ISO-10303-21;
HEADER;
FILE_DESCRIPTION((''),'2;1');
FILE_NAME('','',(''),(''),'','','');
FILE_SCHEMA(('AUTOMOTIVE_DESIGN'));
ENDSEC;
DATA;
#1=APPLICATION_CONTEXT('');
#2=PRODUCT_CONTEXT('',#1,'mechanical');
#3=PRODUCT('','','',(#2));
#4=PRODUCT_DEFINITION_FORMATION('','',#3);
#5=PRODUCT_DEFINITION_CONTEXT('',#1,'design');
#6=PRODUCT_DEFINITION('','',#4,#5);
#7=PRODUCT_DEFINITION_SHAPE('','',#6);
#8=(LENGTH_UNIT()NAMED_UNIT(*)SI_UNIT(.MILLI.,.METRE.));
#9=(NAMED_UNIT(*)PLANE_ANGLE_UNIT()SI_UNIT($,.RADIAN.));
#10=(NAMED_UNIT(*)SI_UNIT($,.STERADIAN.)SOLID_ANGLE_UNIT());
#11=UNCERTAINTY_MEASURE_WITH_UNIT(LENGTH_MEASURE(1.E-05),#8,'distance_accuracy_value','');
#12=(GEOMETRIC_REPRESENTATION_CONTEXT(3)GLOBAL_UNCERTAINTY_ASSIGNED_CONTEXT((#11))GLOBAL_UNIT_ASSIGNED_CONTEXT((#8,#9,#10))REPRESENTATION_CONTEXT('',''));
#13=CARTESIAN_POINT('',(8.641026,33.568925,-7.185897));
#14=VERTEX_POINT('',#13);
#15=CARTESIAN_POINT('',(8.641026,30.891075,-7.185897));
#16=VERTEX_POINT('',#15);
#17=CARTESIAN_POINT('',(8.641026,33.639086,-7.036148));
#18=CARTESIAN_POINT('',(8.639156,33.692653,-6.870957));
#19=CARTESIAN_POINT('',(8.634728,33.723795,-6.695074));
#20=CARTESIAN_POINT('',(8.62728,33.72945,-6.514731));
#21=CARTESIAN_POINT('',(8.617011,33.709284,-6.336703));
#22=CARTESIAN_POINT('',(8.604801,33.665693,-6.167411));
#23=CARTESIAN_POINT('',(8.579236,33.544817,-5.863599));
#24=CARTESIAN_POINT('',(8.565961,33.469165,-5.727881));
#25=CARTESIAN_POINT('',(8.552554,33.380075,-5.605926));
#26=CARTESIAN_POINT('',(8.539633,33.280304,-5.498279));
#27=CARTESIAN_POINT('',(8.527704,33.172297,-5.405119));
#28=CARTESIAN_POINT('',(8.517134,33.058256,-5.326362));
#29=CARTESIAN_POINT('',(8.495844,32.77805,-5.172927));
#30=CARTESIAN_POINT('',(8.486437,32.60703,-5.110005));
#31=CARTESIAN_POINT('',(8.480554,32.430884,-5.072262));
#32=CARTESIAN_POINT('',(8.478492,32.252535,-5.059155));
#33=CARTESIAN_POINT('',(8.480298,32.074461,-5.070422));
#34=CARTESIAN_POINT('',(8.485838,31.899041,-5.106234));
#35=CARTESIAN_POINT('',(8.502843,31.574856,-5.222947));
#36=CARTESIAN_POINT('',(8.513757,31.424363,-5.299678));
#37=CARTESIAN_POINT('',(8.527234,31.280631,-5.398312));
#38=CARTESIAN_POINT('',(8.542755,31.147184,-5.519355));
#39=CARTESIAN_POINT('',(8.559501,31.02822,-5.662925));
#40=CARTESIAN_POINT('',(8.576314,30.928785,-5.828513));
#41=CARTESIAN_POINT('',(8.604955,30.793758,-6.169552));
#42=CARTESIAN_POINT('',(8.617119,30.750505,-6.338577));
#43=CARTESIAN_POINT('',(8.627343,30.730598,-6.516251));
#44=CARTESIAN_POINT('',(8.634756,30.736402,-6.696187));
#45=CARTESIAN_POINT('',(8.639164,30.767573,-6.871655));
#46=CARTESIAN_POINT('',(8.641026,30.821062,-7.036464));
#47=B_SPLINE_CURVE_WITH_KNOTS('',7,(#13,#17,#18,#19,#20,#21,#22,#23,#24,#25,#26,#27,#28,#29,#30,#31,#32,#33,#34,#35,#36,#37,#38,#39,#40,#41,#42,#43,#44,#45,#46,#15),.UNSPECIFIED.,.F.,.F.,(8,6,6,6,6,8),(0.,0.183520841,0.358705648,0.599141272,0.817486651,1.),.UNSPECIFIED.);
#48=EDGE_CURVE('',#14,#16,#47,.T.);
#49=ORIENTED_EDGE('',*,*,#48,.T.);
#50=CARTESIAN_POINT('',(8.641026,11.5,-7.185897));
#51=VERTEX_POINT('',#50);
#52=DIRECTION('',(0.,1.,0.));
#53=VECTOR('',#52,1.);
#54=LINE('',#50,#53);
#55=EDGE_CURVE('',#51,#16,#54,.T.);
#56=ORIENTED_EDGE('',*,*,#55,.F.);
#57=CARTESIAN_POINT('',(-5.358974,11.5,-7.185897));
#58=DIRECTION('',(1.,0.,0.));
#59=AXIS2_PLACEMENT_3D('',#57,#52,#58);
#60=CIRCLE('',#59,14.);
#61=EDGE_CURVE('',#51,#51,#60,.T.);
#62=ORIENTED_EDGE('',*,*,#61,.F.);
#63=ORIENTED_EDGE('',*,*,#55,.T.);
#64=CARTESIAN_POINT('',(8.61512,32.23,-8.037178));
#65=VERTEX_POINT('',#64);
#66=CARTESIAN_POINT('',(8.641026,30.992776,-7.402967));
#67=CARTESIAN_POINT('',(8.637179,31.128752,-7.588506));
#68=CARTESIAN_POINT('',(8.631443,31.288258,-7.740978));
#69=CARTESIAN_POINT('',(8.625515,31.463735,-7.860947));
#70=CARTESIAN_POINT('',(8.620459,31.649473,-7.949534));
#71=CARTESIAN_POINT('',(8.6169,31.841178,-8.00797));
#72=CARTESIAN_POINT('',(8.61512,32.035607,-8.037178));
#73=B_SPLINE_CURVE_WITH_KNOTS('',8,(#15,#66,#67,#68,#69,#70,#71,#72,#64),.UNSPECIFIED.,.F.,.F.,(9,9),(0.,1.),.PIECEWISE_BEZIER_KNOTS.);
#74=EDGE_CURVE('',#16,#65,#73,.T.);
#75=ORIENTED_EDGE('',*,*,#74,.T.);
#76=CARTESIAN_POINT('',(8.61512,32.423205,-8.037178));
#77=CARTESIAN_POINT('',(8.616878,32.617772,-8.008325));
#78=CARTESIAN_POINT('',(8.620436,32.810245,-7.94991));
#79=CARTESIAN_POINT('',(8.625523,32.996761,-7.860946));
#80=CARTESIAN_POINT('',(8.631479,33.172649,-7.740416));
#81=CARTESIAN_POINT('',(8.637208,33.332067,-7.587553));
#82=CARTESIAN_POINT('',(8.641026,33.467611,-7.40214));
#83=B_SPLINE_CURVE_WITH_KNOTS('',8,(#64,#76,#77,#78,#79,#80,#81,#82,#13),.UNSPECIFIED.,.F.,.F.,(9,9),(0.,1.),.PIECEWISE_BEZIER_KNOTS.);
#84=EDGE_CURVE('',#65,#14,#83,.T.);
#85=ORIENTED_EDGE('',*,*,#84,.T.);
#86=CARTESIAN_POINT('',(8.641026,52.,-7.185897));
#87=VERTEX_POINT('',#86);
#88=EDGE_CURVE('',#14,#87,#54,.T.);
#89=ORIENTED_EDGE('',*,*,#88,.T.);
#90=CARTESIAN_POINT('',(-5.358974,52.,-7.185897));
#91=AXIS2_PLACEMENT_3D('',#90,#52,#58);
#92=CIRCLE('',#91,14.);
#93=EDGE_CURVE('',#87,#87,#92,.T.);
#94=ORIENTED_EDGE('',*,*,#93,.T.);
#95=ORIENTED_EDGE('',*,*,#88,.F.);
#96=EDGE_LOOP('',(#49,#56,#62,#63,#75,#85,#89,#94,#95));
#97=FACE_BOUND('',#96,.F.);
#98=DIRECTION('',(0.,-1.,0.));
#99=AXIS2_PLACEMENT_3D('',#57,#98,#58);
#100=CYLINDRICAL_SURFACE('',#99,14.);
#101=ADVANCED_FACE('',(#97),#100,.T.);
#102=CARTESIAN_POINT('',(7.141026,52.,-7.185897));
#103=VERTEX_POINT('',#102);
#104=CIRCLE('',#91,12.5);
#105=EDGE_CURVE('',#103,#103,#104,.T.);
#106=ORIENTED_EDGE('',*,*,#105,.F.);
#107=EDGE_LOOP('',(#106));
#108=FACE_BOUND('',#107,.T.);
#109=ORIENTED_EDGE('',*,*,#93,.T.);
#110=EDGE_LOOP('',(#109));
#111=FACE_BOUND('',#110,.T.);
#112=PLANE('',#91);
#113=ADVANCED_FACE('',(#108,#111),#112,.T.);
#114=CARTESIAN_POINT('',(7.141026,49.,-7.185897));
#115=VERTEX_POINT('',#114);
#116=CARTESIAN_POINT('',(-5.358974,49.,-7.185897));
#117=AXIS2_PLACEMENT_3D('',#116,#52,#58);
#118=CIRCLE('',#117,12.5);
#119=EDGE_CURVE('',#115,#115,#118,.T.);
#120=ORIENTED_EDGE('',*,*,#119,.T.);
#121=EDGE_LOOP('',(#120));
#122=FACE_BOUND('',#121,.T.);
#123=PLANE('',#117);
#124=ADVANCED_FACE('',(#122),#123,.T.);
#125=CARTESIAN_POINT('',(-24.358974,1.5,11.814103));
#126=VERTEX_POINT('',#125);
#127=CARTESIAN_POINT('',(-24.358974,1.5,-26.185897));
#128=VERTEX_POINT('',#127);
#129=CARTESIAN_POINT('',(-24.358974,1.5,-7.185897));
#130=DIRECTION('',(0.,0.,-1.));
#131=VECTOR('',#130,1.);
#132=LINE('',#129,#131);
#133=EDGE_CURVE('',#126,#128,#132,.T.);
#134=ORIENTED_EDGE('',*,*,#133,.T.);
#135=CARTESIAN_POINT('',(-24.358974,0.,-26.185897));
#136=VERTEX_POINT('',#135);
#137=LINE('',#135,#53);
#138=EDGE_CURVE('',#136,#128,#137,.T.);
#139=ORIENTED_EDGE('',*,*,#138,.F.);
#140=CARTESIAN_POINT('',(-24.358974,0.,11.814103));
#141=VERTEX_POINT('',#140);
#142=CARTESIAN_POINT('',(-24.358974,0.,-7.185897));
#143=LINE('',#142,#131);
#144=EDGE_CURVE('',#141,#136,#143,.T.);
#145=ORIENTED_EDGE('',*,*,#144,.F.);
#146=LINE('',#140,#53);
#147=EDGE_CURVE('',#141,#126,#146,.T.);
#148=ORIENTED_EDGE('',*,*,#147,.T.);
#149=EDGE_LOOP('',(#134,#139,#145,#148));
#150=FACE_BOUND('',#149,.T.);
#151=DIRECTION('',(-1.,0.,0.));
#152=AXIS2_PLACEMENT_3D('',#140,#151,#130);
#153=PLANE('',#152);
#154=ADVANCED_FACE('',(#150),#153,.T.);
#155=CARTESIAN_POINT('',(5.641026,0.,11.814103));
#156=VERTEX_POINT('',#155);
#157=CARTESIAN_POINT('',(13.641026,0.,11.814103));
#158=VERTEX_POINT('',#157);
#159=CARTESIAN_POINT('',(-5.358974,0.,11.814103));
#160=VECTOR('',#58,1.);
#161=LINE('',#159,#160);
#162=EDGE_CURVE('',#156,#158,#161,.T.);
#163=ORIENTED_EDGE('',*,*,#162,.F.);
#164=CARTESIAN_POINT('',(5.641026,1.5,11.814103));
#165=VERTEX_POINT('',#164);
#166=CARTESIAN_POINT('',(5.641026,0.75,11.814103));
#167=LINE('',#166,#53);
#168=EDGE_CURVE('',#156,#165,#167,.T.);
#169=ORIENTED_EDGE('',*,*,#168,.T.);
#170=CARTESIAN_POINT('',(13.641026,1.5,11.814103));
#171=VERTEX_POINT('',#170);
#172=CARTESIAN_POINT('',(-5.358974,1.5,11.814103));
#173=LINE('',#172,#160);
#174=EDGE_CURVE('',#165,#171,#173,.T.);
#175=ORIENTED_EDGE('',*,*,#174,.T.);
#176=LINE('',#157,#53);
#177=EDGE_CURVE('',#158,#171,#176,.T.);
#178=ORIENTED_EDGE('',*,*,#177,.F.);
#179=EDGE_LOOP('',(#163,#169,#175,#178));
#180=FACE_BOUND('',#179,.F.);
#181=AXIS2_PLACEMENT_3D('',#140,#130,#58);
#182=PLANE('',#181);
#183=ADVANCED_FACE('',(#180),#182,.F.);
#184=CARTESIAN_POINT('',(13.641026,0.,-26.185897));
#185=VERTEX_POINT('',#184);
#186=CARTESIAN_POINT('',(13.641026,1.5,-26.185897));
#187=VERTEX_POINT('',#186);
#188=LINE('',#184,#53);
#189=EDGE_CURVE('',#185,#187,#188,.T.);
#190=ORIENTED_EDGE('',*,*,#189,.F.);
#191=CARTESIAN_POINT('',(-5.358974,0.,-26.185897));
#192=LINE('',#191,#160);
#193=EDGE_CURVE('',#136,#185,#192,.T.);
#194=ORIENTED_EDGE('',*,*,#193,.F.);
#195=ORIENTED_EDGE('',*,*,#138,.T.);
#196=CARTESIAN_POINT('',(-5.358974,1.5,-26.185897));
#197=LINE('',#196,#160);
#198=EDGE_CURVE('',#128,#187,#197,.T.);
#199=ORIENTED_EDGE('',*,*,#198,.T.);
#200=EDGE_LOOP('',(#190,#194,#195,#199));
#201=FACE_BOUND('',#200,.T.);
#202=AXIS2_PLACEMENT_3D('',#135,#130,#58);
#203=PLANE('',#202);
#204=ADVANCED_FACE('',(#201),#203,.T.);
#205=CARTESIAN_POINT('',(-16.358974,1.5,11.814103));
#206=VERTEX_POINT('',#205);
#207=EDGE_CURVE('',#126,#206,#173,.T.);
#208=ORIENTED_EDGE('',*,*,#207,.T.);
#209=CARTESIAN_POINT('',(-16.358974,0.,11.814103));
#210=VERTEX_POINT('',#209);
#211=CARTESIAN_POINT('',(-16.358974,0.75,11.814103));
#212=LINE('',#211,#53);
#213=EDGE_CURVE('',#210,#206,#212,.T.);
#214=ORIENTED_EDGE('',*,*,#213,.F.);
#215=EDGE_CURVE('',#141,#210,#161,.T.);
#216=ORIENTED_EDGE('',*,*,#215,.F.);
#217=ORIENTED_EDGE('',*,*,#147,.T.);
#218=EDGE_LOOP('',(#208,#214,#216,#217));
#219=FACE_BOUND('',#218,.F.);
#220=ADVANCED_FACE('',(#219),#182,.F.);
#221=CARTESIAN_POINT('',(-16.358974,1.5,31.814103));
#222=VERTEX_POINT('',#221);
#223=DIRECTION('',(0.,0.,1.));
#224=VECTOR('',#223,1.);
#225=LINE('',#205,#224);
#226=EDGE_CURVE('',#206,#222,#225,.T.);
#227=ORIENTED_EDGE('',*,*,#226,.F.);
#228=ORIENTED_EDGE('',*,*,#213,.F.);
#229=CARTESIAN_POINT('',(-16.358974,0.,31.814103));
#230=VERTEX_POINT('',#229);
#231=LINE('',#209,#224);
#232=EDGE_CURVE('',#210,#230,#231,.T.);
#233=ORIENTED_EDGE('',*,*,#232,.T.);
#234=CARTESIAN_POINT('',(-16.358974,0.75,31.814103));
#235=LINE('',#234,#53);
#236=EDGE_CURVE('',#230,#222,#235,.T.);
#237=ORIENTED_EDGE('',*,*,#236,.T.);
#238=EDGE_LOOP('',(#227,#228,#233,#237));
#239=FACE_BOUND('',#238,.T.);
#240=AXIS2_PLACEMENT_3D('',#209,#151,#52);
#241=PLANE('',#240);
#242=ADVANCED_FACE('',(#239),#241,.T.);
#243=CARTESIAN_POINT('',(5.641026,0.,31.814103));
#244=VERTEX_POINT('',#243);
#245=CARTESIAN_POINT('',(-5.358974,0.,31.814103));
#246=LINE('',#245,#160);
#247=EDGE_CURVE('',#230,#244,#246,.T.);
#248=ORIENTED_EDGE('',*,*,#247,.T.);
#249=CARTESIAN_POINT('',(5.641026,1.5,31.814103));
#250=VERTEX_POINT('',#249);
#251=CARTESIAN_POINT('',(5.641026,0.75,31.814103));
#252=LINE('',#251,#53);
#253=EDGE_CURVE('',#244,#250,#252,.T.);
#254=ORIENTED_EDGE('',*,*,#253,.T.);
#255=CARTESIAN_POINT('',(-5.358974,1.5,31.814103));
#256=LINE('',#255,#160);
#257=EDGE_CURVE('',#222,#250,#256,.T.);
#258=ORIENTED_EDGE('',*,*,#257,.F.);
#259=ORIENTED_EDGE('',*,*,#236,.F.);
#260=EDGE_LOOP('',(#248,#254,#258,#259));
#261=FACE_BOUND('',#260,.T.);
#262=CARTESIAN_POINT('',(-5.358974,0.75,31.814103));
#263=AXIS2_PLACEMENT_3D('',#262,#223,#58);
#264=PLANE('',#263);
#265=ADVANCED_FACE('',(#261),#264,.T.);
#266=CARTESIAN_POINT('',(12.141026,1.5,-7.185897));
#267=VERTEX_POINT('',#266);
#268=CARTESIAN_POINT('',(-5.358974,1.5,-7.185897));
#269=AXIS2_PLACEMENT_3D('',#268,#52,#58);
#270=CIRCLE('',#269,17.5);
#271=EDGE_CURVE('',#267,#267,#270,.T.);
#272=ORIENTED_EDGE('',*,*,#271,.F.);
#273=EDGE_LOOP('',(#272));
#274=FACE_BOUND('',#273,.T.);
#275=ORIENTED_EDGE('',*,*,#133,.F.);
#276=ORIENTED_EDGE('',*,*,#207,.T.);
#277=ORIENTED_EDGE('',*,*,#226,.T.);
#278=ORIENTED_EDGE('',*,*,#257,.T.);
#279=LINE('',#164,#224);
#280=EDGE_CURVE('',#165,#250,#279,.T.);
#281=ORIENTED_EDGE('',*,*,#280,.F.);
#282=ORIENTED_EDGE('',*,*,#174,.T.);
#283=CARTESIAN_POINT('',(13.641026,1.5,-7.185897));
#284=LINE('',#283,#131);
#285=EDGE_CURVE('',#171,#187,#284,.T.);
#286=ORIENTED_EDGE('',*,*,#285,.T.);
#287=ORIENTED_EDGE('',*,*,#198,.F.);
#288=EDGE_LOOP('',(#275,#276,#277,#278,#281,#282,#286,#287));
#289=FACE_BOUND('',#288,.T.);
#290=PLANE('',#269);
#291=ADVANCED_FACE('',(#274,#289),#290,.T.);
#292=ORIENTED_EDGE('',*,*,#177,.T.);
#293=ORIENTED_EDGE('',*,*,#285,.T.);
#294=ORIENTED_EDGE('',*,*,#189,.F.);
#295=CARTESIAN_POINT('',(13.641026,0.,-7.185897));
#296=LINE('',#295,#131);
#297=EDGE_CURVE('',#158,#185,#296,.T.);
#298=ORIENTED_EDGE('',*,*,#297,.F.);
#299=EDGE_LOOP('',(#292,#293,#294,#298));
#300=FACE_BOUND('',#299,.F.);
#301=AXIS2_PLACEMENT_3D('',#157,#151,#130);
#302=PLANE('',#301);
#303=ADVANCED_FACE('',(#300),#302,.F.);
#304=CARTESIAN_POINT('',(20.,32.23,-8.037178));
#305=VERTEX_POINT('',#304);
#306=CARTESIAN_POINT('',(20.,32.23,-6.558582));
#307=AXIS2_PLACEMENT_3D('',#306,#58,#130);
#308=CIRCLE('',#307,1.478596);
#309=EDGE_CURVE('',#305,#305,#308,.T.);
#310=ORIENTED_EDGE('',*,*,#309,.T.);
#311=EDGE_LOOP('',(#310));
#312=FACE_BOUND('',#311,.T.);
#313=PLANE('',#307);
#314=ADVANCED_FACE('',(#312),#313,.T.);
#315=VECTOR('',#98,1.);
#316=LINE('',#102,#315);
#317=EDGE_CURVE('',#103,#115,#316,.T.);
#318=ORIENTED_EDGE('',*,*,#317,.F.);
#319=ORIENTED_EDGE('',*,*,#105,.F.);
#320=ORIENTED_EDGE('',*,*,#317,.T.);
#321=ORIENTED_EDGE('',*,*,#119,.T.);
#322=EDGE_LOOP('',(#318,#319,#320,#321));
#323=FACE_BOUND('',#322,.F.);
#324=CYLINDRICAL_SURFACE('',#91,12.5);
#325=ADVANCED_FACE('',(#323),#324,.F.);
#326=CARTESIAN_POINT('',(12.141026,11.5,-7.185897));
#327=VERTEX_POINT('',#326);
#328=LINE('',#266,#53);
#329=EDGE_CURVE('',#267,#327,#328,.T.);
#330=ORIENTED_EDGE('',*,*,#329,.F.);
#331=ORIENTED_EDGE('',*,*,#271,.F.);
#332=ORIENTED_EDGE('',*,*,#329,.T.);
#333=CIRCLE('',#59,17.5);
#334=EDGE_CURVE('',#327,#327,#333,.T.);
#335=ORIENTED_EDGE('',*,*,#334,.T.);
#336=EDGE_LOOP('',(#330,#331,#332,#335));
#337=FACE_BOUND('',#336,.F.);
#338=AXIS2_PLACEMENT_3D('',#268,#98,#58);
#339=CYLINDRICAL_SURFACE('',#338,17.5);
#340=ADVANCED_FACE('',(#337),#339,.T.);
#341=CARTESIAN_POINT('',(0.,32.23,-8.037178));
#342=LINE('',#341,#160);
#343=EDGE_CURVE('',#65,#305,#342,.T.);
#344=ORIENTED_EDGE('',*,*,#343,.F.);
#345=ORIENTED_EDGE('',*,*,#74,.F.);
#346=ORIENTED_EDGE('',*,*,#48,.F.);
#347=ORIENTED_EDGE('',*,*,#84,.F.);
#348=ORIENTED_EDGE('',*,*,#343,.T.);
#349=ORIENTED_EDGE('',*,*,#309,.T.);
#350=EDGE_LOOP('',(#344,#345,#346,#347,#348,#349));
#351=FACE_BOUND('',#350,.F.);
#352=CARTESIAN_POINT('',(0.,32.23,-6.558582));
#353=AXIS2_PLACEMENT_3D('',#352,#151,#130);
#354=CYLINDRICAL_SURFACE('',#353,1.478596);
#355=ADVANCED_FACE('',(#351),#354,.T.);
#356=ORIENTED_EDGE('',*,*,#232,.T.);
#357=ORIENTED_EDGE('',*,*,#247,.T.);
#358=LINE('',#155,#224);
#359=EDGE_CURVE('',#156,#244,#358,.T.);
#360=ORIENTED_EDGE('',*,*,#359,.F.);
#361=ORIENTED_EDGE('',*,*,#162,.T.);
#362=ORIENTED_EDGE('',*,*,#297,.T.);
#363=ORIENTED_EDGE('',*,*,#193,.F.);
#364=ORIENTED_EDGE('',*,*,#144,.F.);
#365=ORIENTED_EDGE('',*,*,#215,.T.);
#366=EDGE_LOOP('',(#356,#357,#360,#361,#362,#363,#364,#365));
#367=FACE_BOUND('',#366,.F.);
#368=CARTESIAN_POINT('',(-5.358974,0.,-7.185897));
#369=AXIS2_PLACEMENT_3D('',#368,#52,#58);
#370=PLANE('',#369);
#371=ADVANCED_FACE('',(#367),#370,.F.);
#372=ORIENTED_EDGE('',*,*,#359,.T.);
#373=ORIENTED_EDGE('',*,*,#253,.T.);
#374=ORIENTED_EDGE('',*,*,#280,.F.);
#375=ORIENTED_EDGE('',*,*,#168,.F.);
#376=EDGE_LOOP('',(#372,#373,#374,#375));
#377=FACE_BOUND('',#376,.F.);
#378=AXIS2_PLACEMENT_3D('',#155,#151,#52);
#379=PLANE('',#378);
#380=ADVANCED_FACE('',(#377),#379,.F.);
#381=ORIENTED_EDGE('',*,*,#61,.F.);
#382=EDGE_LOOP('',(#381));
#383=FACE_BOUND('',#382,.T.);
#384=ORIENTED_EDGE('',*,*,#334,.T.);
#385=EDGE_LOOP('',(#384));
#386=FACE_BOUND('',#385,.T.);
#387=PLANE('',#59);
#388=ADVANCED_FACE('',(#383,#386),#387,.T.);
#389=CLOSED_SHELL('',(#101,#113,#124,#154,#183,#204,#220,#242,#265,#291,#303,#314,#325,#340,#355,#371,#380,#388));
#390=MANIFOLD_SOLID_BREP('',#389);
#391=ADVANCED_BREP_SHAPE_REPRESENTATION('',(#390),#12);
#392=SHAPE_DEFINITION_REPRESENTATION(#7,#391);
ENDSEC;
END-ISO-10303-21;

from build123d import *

# Parameters (mm, degrees)
SKETCH1_W           = 38
SKETCH1_H           = 38
BOSS_EXTRUDE1_DEPTH = 1.5
SKETCH2_R           = 17.5
BOSS_EXTRUDE2_DEPTH = 10
SKETCH3_R           = 14
BOSS_EXTRUDE3_DEPTH = 40.5
SKETCH4_R           = 12.5
CUT_EXTRUDE1_DEPTH  = 3
SKETCH5_R           = 1.478595514
BOSS_EXTRUDE4_DEPTH = 20
SKETCH6_W           = 22
SKETCH6_H           = 1.5
BOSS_EXTRUDE5_DEPTH = 20


with BuildPart() as part:
    # Sketch1 → Boss-Extrude1 (new body)
    with BuildSketch(Plane(origin=(0, 0, 0), x_dir=(1, 0, 0), z_dir=(0, 1, 0))):
        with Locations((-5.358974359, 7.185897436)):
            Rectangle(SKETCH1_W, SKETCH1_H)
    extrude(amount=BOSS_EXTRUDE1_DEPTH)

    # Sketch2 → Boss-Extrude2 (add)
    with BuildSketch(Plane(origin=(0, 1.5, 0), x_dir=(1, 0, 0), z_dir=(0, 1, 0))):
        with Locations((-5.358974359, 7.185897436)):
            Circle(SKETCH2_R)
    extrude(amount=BOSS_EXTRUDE2_DEPTH)

    # Sketch3 → Boss-Extrude3 (add)
    with BuildSketch(Plane(origin=(0, 11.5, 0), x_dir=(1, 0, 0), z_dir=(0, 1, 0))):
        with Locations((-5.358974359, 7.185897436)):
            Circle(SKETCH3_R)
    extrude(amount=BOSS_EXTRUDE3_DEPTH)

    # Sketch4 → Cut-Extrude1 (cut)
    with BuildSketch(Plane(origin=(0, 52, 0), x_dir=(1, 0, 0), z_dir=(0, 1, 0))):
        with Locations((-5.358974359, 7.185897436)):
            Circle(SKETCH4_R)
    extrude(amount=-CUT_EXTRUDE1_DEPTH, mode=Mode.SUBTRACT)

    # Sketch5 → Boss-Extrude4 (add)
    with BuildSketch(Plane(origin=(0, 0, 0), x_dir=(0, 0, -1), z_dir=(1, 0, 0))):
        with Locations((6.558582487, 32.23)):
            Circle(SKETCH5_R)
    extrude(amount=BOSS_EXTRUDE4_DEPTH)

    # Sketch6 → Boss-Extrude5 (add)
    with BuildSketch(Plane.XY.offset(11.814102564)):
        with Locations((-5.358974359, 0.75)):
            Rectangle(SKETCH6_W, SKETCH6_H)
    extrude(amount=BOSS_EXTRUDE5_DEPTH)


solid = part.part
